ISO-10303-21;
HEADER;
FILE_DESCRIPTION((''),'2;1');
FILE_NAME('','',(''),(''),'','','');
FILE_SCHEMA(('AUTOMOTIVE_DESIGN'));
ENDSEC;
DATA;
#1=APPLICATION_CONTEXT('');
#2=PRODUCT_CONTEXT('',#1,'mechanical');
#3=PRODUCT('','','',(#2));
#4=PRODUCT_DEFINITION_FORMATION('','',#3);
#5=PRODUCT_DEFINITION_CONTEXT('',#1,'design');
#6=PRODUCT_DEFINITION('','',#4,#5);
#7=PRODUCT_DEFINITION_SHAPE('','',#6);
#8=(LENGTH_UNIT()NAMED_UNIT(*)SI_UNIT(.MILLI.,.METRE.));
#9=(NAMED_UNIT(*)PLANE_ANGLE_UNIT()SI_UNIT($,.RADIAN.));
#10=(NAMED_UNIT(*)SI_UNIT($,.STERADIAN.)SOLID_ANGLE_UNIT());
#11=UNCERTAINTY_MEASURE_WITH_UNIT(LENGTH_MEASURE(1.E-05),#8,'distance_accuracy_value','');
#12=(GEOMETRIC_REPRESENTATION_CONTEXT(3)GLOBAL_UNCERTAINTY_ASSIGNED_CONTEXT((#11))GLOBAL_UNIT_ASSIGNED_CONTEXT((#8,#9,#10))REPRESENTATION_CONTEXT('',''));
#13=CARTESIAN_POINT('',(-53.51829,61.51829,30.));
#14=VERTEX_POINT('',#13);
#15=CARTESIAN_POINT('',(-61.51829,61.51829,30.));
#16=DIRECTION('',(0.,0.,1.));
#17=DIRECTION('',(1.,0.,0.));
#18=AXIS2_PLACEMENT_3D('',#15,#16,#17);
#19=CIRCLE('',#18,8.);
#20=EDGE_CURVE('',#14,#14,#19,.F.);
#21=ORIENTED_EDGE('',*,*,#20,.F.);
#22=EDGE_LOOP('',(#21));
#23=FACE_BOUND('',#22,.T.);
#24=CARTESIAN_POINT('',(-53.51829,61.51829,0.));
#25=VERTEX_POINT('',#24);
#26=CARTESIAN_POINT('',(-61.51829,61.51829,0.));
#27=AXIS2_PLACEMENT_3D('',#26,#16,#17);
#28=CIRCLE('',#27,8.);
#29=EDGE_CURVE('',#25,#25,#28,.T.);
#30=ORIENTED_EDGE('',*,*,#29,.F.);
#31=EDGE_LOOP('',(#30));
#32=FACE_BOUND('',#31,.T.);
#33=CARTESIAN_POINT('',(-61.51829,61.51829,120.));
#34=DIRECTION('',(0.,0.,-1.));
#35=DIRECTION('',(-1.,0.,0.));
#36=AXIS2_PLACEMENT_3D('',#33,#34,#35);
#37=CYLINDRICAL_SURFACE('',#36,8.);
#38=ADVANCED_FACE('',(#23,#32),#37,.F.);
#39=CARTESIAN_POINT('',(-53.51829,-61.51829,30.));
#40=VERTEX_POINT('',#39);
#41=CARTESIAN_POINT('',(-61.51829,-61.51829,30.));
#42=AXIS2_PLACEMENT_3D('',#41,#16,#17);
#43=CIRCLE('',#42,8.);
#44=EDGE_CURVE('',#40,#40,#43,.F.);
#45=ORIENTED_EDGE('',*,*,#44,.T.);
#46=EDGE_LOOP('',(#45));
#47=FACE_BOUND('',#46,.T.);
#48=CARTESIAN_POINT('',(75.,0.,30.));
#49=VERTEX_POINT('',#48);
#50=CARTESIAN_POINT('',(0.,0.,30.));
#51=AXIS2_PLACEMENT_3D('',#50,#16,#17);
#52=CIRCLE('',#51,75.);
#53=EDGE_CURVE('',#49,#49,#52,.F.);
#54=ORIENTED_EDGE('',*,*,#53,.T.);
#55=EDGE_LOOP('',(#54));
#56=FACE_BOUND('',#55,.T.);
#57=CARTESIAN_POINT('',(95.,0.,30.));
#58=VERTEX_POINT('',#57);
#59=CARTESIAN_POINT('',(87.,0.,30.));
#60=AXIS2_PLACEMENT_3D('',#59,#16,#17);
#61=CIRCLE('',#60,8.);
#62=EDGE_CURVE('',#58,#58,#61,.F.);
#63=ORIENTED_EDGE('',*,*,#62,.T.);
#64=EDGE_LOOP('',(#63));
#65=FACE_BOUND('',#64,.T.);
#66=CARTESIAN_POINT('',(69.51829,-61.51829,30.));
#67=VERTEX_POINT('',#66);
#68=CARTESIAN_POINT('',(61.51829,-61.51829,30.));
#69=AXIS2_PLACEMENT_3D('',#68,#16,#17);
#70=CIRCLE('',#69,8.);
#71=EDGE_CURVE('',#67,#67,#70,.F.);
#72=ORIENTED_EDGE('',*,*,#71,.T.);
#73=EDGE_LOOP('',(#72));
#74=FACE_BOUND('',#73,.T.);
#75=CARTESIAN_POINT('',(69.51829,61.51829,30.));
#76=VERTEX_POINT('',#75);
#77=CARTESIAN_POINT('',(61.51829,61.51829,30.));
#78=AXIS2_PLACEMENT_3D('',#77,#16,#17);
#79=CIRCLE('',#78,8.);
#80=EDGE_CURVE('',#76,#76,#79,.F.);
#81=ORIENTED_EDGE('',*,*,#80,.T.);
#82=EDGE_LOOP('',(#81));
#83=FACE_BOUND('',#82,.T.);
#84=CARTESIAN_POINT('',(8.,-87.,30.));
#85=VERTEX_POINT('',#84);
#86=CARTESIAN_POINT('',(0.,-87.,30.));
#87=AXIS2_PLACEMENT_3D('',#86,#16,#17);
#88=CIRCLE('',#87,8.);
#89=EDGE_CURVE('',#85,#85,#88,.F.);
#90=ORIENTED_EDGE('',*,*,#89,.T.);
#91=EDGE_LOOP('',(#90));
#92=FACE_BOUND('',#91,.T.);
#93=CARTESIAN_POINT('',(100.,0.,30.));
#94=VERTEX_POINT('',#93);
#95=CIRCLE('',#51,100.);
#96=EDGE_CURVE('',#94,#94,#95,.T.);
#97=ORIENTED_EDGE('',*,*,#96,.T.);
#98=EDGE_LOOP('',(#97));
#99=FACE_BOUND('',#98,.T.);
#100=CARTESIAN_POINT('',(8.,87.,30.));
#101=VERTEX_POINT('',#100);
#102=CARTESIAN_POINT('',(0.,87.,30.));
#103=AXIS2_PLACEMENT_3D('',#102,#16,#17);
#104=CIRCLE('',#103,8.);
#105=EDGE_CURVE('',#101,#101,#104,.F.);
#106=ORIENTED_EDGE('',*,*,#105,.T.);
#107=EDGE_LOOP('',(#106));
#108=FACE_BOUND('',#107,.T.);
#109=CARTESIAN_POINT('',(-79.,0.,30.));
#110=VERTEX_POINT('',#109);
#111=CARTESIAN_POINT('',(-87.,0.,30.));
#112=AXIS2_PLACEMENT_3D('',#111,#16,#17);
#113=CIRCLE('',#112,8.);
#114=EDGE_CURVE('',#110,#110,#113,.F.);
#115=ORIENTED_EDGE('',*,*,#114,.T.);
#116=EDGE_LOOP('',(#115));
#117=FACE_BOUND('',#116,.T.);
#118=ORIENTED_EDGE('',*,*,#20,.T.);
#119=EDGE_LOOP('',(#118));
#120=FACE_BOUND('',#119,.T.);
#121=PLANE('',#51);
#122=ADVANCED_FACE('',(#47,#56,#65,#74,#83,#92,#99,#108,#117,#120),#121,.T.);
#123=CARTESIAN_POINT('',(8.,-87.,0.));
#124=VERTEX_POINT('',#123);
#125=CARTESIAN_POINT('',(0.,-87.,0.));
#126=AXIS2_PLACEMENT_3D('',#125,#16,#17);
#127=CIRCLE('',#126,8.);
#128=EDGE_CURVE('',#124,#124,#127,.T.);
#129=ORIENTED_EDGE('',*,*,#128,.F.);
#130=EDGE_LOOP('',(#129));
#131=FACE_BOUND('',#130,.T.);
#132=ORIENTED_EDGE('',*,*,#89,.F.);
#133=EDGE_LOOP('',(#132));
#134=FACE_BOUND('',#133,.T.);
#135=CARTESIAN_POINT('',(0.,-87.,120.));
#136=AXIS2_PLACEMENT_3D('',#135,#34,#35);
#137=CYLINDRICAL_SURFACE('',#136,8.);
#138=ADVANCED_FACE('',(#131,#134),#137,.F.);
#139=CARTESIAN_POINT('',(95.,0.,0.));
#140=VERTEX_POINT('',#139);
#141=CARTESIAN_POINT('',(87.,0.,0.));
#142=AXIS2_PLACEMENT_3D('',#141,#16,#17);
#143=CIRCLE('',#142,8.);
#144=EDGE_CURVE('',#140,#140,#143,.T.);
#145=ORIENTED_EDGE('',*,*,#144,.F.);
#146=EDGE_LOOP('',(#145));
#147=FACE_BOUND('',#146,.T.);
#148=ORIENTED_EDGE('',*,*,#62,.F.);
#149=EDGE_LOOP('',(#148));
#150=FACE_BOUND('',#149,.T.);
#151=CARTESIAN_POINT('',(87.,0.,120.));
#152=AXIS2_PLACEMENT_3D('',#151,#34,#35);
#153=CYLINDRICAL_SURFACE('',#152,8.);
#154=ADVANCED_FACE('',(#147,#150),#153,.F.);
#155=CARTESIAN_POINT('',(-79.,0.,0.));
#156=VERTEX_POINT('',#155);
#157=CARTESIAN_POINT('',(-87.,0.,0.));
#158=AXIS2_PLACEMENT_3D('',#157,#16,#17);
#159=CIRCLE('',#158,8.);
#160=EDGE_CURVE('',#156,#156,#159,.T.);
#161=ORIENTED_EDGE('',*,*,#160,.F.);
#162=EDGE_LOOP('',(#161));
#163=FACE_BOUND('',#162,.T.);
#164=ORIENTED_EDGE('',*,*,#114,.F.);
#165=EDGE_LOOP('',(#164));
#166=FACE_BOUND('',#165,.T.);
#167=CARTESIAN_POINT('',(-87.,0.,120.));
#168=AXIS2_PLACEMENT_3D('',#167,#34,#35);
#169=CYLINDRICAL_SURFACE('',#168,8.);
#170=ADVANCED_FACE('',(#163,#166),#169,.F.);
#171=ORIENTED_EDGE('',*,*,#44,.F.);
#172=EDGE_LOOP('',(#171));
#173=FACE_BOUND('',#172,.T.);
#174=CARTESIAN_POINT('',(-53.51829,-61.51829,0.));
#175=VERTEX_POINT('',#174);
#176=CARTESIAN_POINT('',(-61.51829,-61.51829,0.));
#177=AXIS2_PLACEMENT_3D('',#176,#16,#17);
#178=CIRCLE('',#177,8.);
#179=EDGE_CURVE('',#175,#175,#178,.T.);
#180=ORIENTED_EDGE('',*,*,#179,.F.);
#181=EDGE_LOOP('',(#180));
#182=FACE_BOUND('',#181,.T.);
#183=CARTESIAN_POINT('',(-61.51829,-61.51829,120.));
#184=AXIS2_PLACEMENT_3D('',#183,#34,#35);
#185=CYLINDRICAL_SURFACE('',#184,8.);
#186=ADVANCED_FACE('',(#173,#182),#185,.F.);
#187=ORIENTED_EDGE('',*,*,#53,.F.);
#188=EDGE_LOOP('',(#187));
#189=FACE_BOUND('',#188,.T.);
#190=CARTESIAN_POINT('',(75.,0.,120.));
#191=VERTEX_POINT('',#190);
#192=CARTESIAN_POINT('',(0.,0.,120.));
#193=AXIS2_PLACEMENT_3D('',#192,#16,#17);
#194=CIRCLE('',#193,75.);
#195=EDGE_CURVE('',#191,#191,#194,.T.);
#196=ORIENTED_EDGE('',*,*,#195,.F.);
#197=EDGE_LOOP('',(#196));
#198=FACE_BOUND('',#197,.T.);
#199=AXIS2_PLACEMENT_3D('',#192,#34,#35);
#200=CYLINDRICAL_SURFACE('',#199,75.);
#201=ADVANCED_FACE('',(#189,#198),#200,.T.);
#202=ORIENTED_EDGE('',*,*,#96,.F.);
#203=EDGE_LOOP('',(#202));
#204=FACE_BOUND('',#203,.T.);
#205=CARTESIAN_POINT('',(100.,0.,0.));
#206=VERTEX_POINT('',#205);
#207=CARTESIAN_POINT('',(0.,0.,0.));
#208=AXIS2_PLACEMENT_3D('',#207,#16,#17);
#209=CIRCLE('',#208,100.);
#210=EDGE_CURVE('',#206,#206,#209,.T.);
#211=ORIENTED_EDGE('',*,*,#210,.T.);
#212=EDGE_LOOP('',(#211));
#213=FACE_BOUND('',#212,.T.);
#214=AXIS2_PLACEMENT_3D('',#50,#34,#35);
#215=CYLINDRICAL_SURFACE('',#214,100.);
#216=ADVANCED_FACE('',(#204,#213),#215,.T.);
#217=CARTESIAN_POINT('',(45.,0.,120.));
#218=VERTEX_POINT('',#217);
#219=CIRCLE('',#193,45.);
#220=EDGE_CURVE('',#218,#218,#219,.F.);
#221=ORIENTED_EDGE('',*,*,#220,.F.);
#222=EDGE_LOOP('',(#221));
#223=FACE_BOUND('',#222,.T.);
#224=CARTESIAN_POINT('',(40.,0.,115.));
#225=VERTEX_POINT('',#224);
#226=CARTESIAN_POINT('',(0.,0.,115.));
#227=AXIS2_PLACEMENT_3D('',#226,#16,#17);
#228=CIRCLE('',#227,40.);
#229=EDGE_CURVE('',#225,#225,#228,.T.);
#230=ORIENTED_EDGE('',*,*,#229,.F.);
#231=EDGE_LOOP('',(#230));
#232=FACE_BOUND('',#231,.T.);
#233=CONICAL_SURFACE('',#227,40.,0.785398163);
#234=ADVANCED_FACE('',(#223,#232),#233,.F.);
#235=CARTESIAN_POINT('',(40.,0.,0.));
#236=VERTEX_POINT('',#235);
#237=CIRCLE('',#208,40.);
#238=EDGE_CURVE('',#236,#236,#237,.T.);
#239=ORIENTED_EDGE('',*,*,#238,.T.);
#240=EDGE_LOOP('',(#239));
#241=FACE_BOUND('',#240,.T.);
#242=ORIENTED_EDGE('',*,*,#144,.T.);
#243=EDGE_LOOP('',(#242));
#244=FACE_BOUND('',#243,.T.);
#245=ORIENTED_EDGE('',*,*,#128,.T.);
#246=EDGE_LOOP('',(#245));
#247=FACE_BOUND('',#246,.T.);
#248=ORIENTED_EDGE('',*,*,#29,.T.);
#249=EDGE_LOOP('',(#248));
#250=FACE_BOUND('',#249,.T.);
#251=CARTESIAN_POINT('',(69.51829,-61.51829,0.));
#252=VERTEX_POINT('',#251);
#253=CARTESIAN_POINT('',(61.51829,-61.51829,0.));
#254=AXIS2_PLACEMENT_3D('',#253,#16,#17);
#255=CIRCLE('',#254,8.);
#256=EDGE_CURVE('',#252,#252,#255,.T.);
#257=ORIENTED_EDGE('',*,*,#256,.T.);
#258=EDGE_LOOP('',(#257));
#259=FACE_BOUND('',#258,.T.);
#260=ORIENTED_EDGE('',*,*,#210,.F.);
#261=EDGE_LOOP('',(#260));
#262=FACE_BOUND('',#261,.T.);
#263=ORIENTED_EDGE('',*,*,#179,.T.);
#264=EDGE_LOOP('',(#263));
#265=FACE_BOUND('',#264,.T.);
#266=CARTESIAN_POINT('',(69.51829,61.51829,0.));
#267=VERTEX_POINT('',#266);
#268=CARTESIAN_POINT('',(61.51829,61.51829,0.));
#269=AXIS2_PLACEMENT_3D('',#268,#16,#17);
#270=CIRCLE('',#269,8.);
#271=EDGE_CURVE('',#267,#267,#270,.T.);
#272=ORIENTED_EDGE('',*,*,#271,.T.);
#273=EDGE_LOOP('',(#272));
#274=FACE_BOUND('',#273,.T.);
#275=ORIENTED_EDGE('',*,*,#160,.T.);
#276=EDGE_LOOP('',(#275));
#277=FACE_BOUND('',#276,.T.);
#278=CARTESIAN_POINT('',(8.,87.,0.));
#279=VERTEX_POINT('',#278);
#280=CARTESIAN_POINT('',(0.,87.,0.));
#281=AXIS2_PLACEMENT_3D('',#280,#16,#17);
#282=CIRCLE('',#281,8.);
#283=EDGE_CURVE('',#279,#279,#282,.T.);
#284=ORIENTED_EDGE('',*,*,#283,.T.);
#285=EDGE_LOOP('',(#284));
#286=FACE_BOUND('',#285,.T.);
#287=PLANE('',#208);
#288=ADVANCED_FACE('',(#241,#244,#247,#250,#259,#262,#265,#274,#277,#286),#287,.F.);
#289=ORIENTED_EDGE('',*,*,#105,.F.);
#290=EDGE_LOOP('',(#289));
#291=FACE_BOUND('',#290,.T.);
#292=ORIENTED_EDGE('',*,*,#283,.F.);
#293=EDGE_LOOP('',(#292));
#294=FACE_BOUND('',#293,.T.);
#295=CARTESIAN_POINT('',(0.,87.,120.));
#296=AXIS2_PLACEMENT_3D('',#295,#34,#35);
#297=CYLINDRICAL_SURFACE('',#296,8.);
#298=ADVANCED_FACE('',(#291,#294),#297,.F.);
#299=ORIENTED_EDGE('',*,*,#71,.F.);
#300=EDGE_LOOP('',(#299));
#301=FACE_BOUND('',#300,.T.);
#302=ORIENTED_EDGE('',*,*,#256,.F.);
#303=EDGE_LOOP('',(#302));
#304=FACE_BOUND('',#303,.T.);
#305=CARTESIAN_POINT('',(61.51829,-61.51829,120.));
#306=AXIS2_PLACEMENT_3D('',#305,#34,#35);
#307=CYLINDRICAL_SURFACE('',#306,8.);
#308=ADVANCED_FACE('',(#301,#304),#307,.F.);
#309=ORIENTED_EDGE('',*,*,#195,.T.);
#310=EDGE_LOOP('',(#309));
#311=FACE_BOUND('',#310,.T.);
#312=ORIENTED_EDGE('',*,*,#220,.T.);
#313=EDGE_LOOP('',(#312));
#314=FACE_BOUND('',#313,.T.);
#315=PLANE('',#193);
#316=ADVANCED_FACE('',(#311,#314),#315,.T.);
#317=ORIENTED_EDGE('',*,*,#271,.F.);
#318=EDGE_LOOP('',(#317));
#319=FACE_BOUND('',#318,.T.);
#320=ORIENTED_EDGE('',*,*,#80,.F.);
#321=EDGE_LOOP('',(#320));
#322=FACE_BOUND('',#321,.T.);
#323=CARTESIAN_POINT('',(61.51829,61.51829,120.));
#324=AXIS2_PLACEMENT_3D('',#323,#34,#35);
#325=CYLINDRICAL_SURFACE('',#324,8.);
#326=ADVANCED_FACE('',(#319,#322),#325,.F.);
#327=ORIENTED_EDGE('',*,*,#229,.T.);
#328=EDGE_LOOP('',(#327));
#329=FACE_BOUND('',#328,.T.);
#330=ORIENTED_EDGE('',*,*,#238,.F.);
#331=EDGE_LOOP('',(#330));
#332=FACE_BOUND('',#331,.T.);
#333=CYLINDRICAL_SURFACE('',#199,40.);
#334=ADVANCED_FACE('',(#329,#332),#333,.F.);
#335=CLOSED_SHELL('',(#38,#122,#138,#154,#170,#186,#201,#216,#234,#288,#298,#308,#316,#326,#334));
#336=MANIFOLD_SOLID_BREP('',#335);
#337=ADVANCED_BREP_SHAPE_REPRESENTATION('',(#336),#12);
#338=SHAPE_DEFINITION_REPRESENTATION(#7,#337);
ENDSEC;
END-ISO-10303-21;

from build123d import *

# Parameters (mm, degrees)
SKETCH_1_R          = 100
EXTRUDE_1_DEPTH     = 30
SKETCH_2_R          = 75
EXTRUDE_2_DEPTH     = 120
SKETCH_3_R          = 40
CUT_EXTRUDE_1_DEPTH = 186.47236991
SKETCH_4_R          = 8
CUT_EXTRUDE_2_DEPTH = 186.47236991
CHAMFER_1_SIZE      = 5


with BuildPart() as part:
    # 草图1 → 凸台-拉伸1 (new body)
    with BuildSketch(Plane.XY):
        Circle(SKETCH_1_R)
    extrude(amount=EXTRUDE_1_DEPTH)

    # 草图2 → 凸台-拉伸2 (add)
    with BuildSketch(Plane.XY):
        Circle(SKETCH_2_R)
    extrude(amount=EXTRUDE_2_DEPTH)

    # 草图3 → 切除-拉伸1 (cut, through all)
    with BuildSketch(Plane.XY):
        Circle(SKETCH_3_R)
    extrude(amount=CUT_EXTRUDE_1_DEPTH, mode=Mode.SUBTRACT)

    # 草图4 → 切除-拉伸2 (cut, through all)
    with BuildSketch(Plane.XY):
        with Locations((87, 0)):
            Circle(SKETCH_4_R)
        with Locations((61.518289963, 61.518289963)):
            Circle(SKETCH_4_R)
        with Locations((0, 87)):
            Circle(SKETCH_4_R)
        with Locations((-61.518289963, 61.518289963)):
            Circle(SKETCH_4_R)
        with Locations((-87, 0)):
            Circle(SKETCH_4_R)
        with Locations((-61.518289963, -61.518289963)):
            Circle(SKETCH_4_R)
        with Locations((0, -87)):
            Circle(SKETCH_4_R)
        with Locations((61.518289963, -61.518289963)):
            Circle(SKETCH_4_R)
    extrude(amount=CUT_EXTRUDE_2_DEPTH, mode=Mode.SUBTRACT)

    # 倒角1
    chamfer_1_edges = [part.edges().sort_by_distance(p)[0] for p in [
        (-40, 0, 120),
    ]]
    chamfer(chamfer_1_edges, length=CHAMFER_1_SIZE)


solid = part.part
